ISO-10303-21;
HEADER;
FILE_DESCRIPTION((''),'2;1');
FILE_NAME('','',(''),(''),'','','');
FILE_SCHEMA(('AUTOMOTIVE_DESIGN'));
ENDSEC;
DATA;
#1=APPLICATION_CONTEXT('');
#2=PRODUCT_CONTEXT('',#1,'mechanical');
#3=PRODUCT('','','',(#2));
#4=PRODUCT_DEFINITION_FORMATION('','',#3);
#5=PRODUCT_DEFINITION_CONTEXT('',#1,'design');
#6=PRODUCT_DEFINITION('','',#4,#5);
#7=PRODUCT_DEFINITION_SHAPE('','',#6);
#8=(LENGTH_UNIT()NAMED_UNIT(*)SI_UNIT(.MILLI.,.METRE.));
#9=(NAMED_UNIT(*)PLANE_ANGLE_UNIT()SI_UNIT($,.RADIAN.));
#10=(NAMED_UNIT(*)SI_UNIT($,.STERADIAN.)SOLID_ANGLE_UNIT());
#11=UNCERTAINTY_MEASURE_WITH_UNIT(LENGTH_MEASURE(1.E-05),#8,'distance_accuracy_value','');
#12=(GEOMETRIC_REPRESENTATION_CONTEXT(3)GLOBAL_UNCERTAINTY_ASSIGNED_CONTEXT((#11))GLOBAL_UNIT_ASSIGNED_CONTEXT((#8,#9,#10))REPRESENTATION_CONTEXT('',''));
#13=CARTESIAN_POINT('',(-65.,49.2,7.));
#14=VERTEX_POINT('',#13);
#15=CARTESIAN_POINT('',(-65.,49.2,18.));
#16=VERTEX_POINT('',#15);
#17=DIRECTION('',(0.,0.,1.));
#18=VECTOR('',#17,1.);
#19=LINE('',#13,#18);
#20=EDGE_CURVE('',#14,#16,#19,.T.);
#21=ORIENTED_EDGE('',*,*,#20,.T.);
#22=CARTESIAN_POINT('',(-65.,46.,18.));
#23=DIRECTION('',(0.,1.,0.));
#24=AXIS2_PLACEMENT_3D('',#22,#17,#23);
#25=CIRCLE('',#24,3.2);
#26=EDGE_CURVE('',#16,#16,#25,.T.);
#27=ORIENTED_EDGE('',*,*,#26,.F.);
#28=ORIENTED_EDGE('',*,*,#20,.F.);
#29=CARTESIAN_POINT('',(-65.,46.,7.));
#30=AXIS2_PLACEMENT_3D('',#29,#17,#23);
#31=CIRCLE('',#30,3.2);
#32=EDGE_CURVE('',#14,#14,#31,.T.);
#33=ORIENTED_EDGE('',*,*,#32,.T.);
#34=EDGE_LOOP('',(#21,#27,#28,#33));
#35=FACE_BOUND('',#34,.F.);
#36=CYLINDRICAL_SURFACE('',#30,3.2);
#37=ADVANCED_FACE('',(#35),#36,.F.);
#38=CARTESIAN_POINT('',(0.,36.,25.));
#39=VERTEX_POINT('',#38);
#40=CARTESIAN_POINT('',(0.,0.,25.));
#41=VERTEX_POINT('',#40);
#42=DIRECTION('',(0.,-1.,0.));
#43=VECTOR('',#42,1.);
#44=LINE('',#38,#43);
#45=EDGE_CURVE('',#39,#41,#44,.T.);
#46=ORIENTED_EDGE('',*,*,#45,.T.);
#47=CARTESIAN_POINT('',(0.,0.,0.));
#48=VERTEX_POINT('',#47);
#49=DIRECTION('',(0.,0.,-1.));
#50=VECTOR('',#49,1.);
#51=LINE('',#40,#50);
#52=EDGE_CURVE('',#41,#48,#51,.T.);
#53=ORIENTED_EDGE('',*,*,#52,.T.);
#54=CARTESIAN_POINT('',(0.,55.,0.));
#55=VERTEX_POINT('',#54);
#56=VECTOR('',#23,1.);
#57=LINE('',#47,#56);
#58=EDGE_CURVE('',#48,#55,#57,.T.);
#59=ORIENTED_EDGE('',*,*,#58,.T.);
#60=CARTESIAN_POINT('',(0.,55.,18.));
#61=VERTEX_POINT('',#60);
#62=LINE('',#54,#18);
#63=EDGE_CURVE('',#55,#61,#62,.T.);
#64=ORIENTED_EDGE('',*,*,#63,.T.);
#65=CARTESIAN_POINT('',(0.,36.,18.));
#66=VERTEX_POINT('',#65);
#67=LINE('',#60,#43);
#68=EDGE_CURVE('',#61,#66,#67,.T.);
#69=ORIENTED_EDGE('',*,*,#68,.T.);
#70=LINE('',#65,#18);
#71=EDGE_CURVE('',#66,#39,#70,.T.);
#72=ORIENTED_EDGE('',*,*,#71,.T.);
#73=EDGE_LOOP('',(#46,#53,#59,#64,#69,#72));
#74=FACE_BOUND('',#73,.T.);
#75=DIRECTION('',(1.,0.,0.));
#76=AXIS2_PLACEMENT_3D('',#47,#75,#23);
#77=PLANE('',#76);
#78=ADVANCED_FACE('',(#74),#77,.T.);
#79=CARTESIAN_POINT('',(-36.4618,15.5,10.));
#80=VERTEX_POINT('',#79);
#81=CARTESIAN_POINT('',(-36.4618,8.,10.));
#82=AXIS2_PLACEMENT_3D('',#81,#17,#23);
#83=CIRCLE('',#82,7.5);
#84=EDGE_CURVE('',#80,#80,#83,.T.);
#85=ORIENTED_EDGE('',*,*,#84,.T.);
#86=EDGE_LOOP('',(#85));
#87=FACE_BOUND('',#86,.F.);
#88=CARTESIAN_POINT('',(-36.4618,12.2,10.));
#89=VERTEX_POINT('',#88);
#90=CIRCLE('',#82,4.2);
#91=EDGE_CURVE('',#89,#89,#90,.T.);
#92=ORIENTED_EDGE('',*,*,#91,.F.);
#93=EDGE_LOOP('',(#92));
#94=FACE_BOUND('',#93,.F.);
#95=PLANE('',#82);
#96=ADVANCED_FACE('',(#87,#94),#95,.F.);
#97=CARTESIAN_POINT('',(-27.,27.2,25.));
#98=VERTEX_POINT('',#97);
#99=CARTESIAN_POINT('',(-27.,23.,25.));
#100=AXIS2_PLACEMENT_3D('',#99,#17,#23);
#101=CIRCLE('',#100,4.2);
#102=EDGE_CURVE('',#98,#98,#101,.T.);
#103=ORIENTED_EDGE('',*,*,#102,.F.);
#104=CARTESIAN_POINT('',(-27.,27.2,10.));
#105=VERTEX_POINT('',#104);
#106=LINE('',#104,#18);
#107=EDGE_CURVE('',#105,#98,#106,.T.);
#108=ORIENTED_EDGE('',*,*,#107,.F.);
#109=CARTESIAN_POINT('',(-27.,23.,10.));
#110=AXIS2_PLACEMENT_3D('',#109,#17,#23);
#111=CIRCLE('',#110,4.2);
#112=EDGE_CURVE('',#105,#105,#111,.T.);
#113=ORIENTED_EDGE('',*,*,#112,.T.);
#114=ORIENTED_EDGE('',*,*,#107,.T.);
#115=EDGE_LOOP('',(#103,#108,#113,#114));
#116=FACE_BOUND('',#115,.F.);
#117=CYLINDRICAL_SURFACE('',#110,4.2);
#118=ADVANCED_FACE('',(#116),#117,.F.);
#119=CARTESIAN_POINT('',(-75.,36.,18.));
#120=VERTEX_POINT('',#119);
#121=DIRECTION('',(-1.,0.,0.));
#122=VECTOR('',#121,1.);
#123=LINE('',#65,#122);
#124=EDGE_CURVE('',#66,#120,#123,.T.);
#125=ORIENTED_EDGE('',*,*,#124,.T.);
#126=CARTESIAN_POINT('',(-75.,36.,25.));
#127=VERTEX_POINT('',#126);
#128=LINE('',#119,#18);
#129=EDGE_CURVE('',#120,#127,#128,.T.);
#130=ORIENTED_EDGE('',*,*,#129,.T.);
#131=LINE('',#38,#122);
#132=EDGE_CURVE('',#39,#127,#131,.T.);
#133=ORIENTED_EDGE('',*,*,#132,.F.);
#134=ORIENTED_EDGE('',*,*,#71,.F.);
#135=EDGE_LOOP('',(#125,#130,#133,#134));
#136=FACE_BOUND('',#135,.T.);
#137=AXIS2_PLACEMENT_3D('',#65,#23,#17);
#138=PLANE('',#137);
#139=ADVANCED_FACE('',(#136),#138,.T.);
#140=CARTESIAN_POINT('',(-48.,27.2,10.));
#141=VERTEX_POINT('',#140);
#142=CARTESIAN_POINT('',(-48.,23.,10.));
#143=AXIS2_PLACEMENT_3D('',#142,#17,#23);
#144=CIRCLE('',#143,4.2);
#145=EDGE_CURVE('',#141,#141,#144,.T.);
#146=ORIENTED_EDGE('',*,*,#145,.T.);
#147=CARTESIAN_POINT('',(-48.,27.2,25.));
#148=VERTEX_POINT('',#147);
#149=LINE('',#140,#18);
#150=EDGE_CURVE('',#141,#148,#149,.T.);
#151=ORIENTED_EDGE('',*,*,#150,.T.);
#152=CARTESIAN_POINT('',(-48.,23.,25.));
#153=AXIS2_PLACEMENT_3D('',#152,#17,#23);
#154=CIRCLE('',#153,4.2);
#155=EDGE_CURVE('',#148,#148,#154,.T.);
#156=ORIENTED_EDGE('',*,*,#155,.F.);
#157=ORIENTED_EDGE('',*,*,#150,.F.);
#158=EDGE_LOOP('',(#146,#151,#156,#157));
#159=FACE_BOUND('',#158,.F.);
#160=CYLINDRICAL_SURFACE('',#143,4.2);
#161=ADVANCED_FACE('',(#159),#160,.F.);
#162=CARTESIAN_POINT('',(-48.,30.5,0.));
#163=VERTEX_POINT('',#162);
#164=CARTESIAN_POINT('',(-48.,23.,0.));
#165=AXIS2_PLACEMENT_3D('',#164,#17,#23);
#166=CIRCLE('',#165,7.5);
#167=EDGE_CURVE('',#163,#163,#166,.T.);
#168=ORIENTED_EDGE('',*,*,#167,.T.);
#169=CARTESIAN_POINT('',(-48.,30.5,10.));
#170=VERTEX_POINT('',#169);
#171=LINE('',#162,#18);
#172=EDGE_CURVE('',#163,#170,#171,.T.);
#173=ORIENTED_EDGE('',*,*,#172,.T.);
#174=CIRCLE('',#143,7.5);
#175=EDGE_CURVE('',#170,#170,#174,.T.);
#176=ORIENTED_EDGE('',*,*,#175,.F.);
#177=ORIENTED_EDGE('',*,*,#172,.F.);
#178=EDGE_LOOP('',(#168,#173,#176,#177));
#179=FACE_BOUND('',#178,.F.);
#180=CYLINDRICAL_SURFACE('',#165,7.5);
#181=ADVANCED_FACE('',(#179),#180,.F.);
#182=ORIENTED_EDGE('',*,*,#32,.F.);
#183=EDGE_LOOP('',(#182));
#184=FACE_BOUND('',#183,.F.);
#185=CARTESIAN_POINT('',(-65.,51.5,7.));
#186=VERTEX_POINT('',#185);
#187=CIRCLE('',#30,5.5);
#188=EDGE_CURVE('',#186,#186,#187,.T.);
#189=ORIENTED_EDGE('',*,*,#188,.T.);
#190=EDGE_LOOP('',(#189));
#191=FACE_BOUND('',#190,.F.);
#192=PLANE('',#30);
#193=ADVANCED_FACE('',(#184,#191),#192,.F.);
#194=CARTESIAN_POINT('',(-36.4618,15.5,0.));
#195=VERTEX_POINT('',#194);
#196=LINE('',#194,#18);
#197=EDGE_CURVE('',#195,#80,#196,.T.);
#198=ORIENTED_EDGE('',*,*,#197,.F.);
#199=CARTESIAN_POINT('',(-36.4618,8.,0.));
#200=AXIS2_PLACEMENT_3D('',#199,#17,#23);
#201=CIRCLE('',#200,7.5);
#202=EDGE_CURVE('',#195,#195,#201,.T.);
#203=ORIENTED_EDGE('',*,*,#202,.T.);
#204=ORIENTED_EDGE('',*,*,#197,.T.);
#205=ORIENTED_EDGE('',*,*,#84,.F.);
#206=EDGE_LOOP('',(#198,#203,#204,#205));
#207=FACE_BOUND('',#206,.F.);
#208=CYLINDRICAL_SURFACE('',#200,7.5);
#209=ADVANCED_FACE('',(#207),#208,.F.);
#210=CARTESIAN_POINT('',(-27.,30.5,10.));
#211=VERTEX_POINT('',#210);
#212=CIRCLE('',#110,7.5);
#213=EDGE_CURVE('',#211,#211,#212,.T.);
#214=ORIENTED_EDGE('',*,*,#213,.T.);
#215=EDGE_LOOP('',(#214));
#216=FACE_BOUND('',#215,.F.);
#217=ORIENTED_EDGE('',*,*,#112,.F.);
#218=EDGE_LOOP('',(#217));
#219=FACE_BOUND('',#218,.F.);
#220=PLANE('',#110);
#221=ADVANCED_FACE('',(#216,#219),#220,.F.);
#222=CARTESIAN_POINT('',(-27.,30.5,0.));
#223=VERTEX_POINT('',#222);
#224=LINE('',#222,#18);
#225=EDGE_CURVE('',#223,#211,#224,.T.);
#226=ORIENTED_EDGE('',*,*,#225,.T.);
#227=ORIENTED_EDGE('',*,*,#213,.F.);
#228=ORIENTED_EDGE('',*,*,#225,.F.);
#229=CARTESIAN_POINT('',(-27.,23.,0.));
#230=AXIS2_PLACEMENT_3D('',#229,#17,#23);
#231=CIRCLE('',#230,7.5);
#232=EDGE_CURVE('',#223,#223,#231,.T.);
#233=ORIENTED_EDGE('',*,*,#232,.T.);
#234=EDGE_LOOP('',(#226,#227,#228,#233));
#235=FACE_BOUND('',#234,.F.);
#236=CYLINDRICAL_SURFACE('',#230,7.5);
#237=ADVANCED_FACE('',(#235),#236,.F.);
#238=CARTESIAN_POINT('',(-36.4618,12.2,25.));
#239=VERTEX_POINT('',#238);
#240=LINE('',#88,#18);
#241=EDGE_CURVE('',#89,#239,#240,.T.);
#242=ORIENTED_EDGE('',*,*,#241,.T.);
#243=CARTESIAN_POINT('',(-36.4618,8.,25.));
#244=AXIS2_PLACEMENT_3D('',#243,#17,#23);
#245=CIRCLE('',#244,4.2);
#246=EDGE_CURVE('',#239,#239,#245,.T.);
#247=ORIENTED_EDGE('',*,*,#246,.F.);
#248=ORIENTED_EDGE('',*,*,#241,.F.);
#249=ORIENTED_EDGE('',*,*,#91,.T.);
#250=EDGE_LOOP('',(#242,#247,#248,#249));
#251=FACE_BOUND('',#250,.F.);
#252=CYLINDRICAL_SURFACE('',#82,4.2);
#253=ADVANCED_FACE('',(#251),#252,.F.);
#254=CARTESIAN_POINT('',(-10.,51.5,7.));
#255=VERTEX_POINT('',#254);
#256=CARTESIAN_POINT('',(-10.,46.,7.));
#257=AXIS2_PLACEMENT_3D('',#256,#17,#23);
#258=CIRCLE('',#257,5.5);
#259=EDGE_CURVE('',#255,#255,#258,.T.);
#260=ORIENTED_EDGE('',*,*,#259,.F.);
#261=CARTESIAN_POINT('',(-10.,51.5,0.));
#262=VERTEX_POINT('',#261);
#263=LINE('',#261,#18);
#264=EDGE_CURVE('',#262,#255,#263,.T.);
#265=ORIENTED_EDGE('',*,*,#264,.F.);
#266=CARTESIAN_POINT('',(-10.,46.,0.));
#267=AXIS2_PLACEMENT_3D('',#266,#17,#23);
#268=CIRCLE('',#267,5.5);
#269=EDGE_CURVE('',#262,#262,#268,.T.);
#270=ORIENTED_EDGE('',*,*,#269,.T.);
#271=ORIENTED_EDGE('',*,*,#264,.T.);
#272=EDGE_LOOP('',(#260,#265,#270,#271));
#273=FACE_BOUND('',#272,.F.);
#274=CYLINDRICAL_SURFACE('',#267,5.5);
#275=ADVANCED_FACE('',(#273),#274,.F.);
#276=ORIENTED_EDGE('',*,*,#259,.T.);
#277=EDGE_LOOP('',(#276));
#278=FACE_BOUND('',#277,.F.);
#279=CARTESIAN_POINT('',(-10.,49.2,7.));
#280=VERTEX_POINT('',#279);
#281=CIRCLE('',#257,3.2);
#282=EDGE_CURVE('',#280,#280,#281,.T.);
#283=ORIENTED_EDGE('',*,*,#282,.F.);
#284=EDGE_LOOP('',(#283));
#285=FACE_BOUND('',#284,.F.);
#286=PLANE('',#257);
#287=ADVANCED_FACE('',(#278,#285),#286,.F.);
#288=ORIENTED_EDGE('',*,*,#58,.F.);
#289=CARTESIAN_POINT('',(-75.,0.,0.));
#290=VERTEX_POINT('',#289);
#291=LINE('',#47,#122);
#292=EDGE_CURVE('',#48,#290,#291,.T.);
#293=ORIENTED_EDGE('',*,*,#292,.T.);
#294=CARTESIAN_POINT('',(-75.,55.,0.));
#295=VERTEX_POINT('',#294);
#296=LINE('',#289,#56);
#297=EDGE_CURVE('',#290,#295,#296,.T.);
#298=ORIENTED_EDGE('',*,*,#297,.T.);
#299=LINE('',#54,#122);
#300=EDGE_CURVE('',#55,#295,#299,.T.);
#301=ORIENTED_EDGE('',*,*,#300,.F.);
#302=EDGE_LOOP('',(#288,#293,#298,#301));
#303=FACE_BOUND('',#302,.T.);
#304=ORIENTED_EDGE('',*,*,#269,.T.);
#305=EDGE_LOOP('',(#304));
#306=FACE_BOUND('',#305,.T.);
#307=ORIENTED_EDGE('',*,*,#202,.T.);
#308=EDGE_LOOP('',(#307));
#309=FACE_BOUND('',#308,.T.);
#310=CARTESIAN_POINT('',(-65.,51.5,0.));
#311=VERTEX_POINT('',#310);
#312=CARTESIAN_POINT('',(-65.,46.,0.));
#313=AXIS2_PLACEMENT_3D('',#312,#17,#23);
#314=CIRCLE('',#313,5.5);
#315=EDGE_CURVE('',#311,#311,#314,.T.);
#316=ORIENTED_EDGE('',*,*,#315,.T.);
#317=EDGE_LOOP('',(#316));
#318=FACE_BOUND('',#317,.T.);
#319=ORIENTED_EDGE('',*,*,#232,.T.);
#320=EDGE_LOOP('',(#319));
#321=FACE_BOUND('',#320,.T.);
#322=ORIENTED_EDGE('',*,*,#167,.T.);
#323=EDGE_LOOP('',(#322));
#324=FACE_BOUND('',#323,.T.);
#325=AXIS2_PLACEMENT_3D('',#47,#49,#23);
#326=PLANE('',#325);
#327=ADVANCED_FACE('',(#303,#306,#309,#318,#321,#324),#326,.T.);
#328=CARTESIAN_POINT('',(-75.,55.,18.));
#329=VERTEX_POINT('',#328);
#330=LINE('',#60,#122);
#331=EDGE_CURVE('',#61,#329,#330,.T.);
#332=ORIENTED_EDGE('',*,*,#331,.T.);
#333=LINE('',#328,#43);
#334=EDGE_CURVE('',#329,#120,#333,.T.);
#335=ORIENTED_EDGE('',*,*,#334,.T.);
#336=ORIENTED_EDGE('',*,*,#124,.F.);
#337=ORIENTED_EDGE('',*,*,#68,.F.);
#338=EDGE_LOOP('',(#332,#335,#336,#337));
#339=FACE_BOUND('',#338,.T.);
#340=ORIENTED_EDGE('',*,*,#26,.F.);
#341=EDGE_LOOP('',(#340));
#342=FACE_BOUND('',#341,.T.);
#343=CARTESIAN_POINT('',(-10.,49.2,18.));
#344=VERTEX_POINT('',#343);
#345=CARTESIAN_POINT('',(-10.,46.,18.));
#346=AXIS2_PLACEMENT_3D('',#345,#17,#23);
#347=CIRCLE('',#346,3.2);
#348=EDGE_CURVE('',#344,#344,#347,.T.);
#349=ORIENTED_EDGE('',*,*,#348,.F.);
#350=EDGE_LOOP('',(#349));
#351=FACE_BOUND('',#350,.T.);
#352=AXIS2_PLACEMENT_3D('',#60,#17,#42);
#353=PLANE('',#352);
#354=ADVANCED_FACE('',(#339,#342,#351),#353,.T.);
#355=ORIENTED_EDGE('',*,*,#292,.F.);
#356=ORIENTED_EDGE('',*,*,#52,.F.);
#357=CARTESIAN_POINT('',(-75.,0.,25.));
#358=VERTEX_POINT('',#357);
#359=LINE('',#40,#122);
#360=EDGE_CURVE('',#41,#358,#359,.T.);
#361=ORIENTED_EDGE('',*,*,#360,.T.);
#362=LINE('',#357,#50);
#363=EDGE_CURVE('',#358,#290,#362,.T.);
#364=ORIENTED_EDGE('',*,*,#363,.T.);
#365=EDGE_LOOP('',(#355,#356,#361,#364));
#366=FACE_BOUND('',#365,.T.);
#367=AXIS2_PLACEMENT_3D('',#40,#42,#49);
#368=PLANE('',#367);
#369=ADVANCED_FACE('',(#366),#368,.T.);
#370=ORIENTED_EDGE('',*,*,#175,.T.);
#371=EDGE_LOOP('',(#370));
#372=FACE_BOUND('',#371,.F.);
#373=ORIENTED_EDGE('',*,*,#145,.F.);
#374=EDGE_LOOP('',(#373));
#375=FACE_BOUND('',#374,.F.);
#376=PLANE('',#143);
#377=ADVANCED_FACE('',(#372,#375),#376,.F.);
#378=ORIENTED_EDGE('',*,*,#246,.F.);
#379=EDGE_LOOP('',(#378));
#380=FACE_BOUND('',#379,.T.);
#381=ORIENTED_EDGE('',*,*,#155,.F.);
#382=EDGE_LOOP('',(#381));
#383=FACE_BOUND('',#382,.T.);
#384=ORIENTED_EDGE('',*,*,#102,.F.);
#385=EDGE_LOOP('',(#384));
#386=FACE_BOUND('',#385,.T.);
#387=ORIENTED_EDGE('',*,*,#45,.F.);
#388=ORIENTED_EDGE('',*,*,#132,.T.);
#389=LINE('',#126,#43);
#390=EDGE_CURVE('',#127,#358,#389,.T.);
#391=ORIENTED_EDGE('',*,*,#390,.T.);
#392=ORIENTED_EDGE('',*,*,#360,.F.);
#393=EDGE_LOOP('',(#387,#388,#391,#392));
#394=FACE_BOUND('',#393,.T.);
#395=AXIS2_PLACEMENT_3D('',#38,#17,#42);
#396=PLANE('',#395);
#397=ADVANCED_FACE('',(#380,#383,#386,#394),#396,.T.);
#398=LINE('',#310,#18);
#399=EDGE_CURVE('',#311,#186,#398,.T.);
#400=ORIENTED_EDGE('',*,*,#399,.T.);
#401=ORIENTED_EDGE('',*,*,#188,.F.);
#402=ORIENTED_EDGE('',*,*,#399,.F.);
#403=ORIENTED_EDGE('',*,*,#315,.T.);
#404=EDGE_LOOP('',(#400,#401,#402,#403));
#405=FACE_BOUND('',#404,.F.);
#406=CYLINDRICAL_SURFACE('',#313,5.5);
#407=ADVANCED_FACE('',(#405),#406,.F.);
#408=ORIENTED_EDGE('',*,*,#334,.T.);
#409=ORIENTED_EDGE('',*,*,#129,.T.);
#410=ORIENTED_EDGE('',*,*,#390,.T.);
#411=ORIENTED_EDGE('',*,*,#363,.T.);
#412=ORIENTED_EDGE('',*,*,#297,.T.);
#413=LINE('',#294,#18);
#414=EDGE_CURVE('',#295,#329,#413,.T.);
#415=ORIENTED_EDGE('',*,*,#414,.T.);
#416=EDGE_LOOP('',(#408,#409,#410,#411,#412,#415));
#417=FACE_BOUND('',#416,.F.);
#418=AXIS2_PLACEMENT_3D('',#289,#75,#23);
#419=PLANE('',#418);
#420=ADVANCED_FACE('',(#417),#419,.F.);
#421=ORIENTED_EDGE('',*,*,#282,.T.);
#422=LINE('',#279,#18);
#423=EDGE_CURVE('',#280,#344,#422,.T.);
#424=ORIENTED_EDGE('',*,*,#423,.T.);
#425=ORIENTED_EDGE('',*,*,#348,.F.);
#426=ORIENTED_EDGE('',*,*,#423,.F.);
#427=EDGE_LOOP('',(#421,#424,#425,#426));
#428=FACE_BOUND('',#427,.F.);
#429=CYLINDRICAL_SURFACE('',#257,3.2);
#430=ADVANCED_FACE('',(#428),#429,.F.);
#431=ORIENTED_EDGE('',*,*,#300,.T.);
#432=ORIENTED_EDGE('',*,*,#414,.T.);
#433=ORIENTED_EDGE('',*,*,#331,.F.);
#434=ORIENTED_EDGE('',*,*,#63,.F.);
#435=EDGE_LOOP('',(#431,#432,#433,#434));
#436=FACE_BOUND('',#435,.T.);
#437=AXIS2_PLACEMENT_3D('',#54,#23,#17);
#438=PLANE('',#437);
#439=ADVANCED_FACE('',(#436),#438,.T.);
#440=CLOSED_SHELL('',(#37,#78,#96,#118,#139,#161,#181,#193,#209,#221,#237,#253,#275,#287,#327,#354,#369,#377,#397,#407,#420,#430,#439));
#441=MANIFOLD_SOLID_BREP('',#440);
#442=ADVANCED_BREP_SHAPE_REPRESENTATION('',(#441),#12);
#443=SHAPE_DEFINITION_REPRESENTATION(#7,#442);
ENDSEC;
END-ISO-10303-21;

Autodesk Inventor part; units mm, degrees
ref_plane "YZ Plane" through (0, 0, 0) normal (1, 0, 0) x (0, 1, 0)
ref_plane "XZ Plane" through (0, 0, 0) normal (0, 1, 0) x (-1, 0, 0)
ref_plane "XY Plane" through (0, 0, 0) normal (0, 0, 1) x (1, 0, 0)
sketch "Sketch1" plane through (0, 0, 0) normal (1, 0, 0) x (0, 1, 0)
  line L0 (0, 0) -> (55, 0)
  line L1 (55, 0) -> (55, 18)
  line L2 (55, 18) -> (36, 18)
  line L3 (36, 18) -> (36, 25)
  line L4 (36, 25) -> (0, 25)
  line L5 (0, 25) -> (0, 0)
  dimension "d0" = 55
  dimension "d1" = 18
  dimension "d2" = 19
  dimension "d3" = 7
  dimension "d4" = 36
extrude "Extrusion1" add sketch "Sketch1" against normal blind 75
sketch "Sketch2" plane through (0, 0, 0) normal (0, 0, -1) x (-1, 0, 0)
  line L0 (0, 0) -> (75, 0) projected
  line L1 (0, 0) -> (0, 55) projected
  line L2 (75, 55) -> (75, 0) projected
  point P0 (27, 23)
  point P1 (48, 23)
  point P2 (36.4618, 8)
  dimension "d7" = 8
  dimension "d15" = 23
  dimension "d16" = 23
  dimension "d26" = 36.4618
  dimension "d27" = 27
  dimension "d28" = 27
hole "Hole1" at (-36.4618, 8, 0) at (-27, 23, 0) at (-48, 23, 0) direction (0, 0, 1) diameter 8.4 end through all counterbore diameter 15 counterbore depth 10
sketch "Sketch3" plane through (0, 0, 0) normal (0, 0, -1) x (-1, 0, 0)
  line L0 (0, 0) -> (0, 55) projected
  line L1 (75, 55) -> (75, 0) projected
  line L2 (0, 0) -> (75, 0) projected
  point P0 (10, 46)
  point P1 (65, 46)
  dimension "d17" = 10
  dimension "d18" = 10
  dimension "d29" = 46
  dimension "d30" = 46
hole "Hole2" at (-10, 46, 0) at (-65, 46, 0) direction (0, 0, 1) diameter 6.4 end through all counterbore diameter 11 counterbore depth 7
properties part number "Feste backs" material "Steel, Mild"
